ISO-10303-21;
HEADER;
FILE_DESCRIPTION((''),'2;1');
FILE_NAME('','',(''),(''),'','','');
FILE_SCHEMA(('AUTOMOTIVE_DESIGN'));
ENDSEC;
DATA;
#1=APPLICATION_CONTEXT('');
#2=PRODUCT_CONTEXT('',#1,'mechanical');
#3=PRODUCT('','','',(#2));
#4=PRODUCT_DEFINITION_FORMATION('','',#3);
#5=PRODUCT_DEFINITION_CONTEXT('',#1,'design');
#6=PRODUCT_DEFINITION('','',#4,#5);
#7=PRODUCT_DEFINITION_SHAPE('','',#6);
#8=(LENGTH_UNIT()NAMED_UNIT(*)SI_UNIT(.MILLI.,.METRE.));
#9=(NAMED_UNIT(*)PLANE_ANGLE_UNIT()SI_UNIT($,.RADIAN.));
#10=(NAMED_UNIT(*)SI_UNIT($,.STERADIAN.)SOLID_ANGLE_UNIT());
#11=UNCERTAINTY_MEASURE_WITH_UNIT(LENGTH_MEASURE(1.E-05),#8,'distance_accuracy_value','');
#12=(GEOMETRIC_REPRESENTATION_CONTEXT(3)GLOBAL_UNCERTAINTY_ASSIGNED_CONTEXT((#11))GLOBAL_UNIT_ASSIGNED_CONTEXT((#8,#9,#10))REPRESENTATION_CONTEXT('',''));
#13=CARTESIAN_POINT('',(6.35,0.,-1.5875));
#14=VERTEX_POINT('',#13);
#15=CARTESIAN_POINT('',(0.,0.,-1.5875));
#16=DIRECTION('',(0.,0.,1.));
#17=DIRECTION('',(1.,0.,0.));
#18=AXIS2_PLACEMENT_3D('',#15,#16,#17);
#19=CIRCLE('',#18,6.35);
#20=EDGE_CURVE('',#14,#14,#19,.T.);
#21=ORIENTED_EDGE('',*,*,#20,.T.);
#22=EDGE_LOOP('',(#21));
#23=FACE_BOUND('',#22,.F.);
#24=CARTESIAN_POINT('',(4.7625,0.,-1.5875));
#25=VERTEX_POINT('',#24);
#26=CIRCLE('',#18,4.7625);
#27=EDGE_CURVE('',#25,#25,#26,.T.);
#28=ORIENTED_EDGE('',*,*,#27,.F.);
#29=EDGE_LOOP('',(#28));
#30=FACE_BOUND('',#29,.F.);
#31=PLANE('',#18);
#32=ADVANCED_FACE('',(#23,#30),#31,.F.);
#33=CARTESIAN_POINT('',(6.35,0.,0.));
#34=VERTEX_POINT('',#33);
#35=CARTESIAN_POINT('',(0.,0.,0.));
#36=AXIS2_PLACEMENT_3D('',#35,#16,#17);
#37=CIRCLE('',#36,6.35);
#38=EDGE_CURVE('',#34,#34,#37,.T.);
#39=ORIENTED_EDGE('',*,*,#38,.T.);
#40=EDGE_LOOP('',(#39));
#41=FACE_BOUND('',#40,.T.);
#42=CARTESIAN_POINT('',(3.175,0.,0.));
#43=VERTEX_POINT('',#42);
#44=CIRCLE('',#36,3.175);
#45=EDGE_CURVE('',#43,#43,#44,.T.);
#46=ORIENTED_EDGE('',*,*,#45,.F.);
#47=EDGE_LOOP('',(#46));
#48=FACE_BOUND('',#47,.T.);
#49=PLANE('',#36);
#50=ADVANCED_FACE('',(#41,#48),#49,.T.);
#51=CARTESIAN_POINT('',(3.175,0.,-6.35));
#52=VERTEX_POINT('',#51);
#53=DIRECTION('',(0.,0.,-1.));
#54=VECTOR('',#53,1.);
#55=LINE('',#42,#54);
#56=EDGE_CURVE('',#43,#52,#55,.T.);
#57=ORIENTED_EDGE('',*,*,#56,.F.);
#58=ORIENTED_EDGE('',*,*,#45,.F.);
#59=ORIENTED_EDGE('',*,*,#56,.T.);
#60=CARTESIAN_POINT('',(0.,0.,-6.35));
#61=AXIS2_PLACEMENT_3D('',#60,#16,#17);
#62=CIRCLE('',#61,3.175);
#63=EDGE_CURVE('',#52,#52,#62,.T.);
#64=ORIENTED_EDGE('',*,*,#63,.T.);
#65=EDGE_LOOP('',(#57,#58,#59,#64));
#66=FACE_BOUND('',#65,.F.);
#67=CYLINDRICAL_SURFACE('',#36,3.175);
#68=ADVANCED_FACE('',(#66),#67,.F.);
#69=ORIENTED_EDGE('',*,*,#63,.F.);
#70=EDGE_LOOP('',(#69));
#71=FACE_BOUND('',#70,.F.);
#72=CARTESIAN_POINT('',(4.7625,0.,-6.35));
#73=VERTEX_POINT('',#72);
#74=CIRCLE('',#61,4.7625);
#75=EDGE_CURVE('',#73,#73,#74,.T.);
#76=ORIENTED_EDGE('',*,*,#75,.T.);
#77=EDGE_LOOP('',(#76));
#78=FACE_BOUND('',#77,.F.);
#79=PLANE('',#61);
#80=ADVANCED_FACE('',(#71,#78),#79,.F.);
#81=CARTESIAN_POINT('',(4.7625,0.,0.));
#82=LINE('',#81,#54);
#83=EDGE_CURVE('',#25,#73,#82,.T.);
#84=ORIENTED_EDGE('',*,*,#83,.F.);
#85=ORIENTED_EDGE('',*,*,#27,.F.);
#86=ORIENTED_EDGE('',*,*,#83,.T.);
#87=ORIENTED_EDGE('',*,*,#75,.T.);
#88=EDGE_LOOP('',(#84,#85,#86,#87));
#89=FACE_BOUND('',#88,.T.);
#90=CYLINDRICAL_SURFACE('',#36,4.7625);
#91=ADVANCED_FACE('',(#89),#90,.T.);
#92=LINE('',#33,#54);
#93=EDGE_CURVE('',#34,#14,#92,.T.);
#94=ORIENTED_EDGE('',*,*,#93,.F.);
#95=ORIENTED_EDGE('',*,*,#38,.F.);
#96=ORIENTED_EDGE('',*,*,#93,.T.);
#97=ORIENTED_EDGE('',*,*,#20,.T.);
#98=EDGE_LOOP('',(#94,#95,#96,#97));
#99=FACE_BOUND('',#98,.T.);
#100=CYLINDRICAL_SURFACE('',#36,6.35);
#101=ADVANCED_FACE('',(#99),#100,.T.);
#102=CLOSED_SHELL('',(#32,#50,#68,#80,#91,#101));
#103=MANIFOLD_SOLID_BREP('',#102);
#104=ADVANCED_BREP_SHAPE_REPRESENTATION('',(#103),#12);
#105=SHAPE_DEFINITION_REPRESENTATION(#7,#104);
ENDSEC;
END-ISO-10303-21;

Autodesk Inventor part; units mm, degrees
ref_plane "YZ Plane" through (0, 0, 0) normal (1, 0, 0) x (0, 1, 0)
ref_plane "XZ Plane" through (0, 0, 0) normal (0, 1, 0) x (-1, 0, 0)
ref_plane "XY Plane" through (0, 0, 0) normal (0, 0, 1) x (1, 0, 0)
sketch "Sketch1" plane through (0, 0, 0) normal (0, 0, 1) x (1, 0, 0)
  circle A0 centre (0, 0) radius 3.175
  circle A1 centre (0, 0) radius 4.7625
  circle A2 centre (0, 0) radius 6.35
  dimension "d2" = 6.35
  dimension "d3" = 9.525
  dimension "d4" = 12.7
extrude "Extrusion1" add sketch "Sketch1" against normal blind 6.35 contours A1
extrude "Extrusion2" add sketch "Sketch1" against normal blind 1.5875 contours A2
properties part number "Flange Sleve Bearing .25.375"
